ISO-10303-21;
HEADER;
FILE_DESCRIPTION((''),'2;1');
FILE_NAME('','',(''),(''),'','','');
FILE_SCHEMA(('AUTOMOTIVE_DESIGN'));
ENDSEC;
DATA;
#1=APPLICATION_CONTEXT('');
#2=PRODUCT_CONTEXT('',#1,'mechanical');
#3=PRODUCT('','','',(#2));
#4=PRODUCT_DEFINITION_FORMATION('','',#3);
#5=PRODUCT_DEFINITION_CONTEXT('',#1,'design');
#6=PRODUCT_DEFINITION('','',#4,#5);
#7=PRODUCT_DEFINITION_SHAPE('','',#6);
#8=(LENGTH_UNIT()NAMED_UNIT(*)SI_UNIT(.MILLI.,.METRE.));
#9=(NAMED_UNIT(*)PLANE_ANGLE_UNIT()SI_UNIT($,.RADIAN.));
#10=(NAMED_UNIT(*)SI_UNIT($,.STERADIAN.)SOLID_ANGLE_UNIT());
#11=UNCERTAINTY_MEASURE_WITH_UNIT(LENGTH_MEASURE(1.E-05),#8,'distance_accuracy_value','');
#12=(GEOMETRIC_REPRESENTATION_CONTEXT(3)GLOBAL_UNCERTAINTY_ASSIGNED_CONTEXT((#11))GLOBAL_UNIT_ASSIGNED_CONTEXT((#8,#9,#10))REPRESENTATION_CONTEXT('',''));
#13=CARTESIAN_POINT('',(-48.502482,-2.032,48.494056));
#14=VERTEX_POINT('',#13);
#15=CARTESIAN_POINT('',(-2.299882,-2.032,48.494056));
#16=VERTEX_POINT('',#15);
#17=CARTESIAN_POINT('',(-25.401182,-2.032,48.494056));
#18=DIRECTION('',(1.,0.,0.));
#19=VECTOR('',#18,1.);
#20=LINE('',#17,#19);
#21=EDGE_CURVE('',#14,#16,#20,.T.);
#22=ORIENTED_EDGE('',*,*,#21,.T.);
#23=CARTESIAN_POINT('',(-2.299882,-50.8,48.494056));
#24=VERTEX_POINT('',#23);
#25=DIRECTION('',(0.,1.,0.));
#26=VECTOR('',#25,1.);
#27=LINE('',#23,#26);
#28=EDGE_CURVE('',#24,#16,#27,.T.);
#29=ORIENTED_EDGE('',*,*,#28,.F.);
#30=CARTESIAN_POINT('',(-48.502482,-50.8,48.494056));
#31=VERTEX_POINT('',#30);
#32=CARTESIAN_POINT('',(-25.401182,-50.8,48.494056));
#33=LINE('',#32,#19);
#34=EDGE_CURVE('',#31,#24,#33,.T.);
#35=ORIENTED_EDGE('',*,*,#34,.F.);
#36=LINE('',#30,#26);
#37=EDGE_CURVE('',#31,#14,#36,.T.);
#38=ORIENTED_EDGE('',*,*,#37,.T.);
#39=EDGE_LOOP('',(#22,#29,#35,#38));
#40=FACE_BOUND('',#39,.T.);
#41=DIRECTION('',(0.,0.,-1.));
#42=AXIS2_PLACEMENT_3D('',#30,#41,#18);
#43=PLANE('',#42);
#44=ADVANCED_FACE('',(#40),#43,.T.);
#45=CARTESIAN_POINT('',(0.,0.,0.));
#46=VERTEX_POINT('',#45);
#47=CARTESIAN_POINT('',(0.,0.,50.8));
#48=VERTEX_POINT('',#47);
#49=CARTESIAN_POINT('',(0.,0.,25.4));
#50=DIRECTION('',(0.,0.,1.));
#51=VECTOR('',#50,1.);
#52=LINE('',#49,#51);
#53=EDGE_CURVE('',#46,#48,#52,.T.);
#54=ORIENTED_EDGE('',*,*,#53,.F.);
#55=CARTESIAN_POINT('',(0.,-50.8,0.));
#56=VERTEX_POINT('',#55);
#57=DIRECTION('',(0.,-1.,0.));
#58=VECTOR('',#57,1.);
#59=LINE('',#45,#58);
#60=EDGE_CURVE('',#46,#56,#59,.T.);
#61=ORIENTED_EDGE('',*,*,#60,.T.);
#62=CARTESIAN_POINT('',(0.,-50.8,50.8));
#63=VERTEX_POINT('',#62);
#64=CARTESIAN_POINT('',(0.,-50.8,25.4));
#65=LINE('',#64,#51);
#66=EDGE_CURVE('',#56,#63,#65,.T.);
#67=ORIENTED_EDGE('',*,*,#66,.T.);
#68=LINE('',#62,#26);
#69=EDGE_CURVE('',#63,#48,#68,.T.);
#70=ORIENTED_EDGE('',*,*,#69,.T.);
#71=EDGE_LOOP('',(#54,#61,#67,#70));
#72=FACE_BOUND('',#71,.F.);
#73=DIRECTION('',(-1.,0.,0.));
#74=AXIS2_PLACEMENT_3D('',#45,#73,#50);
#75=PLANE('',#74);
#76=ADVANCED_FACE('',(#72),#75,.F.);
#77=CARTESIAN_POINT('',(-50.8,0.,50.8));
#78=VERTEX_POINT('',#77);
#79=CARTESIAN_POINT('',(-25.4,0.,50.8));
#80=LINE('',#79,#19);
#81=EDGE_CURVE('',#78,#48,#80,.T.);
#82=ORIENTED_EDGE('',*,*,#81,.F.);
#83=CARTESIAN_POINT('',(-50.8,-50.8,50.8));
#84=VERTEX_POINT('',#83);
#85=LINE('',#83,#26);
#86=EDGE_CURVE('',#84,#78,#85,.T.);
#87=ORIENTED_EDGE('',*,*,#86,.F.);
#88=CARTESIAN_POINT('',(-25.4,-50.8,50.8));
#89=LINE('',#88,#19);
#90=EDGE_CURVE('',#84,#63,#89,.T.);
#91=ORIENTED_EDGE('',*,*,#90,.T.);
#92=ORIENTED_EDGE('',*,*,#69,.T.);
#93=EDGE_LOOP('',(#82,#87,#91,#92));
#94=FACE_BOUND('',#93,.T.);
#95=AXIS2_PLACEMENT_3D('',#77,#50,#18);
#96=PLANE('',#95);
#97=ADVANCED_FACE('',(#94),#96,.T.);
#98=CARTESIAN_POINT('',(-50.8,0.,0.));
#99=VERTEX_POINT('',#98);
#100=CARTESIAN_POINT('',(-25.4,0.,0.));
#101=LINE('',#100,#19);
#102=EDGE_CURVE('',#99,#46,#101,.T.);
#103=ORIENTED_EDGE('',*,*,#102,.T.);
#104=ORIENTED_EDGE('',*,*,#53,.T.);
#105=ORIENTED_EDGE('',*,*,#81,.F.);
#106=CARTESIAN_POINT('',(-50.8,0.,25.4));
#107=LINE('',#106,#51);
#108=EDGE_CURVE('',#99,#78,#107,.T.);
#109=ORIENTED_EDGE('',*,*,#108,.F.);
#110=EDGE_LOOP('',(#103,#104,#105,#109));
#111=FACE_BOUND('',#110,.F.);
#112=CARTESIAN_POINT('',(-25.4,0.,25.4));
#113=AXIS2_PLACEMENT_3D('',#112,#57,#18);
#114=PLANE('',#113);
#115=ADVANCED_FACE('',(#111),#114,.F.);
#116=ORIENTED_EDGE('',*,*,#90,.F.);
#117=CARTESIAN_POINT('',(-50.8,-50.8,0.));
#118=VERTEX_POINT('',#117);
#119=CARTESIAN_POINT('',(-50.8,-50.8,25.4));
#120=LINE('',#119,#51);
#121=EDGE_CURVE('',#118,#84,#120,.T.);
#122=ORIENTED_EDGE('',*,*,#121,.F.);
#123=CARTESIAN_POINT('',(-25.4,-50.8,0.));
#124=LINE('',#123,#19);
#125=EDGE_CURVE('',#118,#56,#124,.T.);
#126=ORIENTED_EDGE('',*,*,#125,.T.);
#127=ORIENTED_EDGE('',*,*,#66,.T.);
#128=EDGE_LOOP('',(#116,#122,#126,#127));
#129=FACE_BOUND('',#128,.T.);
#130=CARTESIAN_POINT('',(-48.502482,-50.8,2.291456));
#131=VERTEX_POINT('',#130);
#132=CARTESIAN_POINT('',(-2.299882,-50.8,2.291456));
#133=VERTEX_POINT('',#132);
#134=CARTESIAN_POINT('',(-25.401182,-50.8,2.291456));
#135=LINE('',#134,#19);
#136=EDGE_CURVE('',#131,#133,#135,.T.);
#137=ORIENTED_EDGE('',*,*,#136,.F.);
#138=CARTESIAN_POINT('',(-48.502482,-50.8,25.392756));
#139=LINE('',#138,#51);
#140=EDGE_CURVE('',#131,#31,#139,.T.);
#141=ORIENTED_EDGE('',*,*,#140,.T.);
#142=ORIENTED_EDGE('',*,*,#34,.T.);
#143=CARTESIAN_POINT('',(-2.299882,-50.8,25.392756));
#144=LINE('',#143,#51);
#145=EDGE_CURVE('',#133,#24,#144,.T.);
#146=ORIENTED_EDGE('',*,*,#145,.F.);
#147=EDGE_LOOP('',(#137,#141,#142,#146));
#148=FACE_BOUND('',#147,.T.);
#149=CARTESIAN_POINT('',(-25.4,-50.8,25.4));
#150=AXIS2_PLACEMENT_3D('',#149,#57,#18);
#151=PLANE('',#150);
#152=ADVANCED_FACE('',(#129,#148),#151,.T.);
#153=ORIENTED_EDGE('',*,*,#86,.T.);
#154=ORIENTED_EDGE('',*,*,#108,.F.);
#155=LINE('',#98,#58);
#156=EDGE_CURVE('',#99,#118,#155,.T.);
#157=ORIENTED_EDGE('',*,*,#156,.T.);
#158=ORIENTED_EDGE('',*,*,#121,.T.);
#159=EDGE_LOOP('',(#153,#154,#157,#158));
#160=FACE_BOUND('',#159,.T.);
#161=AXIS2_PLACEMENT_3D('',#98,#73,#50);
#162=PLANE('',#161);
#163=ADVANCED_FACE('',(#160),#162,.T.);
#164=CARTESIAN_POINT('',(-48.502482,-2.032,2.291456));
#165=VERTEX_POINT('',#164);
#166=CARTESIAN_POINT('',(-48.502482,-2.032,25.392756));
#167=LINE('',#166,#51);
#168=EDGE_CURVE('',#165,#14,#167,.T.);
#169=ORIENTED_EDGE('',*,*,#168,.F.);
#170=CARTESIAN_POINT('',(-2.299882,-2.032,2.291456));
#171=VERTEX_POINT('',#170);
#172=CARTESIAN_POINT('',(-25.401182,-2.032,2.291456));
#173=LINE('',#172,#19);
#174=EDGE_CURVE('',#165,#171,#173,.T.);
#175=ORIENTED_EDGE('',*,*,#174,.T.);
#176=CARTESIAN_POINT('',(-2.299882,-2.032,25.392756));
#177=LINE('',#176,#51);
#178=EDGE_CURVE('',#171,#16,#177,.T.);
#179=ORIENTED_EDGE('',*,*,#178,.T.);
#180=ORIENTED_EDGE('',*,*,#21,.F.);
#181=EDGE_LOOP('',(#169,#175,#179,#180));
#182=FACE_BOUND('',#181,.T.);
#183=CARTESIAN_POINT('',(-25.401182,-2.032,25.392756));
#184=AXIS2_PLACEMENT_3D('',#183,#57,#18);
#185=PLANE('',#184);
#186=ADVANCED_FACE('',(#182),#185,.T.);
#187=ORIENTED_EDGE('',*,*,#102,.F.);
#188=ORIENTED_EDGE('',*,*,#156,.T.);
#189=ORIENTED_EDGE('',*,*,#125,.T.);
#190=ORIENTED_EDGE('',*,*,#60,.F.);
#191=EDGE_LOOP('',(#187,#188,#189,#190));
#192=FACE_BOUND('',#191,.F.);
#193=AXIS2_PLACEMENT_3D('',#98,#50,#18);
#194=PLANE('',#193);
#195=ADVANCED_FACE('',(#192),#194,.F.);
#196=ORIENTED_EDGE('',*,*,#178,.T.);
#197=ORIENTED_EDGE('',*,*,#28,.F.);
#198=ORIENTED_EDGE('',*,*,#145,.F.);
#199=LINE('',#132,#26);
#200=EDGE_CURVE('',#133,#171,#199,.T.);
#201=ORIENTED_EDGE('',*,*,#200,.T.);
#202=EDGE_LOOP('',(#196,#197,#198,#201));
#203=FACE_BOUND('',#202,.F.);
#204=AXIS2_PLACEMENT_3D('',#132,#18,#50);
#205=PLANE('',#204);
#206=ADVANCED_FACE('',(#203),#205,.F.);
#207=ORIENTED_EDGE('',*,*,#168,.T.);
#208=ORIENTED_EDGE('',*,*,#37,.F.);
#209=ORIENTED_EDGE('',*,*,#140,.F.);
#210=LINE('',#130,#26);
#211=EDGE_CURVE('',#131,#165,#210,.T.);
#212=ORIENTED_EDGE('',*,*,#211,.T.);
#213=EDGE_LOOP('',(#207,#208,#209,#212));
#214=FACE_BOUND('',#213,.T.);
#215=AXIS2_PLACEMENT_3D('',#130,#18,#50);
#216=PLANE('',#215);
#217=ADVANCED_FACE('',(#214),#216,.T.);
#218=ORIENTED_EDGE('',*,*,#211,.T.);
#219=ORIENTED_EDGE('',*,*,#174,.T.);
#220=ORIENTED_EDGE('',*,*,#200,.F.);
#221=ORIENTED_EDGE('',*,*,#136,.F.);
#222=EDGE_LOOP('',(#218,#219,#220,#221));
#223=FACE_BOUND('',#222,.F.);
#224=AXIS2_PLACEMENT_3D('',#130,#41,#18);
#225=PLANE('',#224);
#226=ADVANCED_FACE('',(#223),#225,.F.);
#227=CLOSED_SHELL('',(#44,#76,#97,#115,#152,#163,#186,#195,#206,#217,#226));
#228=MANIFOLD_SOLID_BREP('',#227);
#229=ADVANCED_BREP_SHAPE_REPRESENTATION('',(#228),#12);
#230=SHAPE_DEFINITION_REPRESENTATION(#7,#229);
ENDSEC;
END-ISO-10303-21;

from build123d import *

# Parameters (mm, degrees)
F0_W     = 50.8
F0_H     = 50.8
F1_DEPTH = 50.8
F2_W     = 50.8
F2_H     = 50.8
F2_W_2   = 47.1678
F2_H_2   = 46.9646
F3_DEPTH = 49.53
F4_W     = 46.2026
F4_H     = 46.2026
F5_DEPTH = 48.768


with BuildPart() as f1:
    # F0 (on Front) → F1 (new body)
    with BuildSketch(Plane.XZ):
        with Locations((-25.4, 25.4)):
            Rectangle(F0_W, F0_H)
    extrude(amount=F1_DEPTH)

    # F2 (on face) → F3 (join)
    with BuildSketch(Plane.XZ.offset(50.8)):
        with Locations((-25.4, 25.4)):
            Rectangle(F2_W, F2_H)
        with Locations((-25.302492, 25.391847)):
            Rectangle(F2_W_2, F2_H_2, mode=Mode.SUBTRACT)
    extrude(amount=-F3_DEPTH)

    # F4 (on face) → F5 (cut)
    with BuildSketch(Plane.XZ.offset(50.8)):
        with Locations((-25.401182, 25.392756)):
            Rectangle(F4_W, F4_H)
    extrude(amount=-F5_DEPTH, mode=Mode.SUBTRACT)


solid = f1.part
